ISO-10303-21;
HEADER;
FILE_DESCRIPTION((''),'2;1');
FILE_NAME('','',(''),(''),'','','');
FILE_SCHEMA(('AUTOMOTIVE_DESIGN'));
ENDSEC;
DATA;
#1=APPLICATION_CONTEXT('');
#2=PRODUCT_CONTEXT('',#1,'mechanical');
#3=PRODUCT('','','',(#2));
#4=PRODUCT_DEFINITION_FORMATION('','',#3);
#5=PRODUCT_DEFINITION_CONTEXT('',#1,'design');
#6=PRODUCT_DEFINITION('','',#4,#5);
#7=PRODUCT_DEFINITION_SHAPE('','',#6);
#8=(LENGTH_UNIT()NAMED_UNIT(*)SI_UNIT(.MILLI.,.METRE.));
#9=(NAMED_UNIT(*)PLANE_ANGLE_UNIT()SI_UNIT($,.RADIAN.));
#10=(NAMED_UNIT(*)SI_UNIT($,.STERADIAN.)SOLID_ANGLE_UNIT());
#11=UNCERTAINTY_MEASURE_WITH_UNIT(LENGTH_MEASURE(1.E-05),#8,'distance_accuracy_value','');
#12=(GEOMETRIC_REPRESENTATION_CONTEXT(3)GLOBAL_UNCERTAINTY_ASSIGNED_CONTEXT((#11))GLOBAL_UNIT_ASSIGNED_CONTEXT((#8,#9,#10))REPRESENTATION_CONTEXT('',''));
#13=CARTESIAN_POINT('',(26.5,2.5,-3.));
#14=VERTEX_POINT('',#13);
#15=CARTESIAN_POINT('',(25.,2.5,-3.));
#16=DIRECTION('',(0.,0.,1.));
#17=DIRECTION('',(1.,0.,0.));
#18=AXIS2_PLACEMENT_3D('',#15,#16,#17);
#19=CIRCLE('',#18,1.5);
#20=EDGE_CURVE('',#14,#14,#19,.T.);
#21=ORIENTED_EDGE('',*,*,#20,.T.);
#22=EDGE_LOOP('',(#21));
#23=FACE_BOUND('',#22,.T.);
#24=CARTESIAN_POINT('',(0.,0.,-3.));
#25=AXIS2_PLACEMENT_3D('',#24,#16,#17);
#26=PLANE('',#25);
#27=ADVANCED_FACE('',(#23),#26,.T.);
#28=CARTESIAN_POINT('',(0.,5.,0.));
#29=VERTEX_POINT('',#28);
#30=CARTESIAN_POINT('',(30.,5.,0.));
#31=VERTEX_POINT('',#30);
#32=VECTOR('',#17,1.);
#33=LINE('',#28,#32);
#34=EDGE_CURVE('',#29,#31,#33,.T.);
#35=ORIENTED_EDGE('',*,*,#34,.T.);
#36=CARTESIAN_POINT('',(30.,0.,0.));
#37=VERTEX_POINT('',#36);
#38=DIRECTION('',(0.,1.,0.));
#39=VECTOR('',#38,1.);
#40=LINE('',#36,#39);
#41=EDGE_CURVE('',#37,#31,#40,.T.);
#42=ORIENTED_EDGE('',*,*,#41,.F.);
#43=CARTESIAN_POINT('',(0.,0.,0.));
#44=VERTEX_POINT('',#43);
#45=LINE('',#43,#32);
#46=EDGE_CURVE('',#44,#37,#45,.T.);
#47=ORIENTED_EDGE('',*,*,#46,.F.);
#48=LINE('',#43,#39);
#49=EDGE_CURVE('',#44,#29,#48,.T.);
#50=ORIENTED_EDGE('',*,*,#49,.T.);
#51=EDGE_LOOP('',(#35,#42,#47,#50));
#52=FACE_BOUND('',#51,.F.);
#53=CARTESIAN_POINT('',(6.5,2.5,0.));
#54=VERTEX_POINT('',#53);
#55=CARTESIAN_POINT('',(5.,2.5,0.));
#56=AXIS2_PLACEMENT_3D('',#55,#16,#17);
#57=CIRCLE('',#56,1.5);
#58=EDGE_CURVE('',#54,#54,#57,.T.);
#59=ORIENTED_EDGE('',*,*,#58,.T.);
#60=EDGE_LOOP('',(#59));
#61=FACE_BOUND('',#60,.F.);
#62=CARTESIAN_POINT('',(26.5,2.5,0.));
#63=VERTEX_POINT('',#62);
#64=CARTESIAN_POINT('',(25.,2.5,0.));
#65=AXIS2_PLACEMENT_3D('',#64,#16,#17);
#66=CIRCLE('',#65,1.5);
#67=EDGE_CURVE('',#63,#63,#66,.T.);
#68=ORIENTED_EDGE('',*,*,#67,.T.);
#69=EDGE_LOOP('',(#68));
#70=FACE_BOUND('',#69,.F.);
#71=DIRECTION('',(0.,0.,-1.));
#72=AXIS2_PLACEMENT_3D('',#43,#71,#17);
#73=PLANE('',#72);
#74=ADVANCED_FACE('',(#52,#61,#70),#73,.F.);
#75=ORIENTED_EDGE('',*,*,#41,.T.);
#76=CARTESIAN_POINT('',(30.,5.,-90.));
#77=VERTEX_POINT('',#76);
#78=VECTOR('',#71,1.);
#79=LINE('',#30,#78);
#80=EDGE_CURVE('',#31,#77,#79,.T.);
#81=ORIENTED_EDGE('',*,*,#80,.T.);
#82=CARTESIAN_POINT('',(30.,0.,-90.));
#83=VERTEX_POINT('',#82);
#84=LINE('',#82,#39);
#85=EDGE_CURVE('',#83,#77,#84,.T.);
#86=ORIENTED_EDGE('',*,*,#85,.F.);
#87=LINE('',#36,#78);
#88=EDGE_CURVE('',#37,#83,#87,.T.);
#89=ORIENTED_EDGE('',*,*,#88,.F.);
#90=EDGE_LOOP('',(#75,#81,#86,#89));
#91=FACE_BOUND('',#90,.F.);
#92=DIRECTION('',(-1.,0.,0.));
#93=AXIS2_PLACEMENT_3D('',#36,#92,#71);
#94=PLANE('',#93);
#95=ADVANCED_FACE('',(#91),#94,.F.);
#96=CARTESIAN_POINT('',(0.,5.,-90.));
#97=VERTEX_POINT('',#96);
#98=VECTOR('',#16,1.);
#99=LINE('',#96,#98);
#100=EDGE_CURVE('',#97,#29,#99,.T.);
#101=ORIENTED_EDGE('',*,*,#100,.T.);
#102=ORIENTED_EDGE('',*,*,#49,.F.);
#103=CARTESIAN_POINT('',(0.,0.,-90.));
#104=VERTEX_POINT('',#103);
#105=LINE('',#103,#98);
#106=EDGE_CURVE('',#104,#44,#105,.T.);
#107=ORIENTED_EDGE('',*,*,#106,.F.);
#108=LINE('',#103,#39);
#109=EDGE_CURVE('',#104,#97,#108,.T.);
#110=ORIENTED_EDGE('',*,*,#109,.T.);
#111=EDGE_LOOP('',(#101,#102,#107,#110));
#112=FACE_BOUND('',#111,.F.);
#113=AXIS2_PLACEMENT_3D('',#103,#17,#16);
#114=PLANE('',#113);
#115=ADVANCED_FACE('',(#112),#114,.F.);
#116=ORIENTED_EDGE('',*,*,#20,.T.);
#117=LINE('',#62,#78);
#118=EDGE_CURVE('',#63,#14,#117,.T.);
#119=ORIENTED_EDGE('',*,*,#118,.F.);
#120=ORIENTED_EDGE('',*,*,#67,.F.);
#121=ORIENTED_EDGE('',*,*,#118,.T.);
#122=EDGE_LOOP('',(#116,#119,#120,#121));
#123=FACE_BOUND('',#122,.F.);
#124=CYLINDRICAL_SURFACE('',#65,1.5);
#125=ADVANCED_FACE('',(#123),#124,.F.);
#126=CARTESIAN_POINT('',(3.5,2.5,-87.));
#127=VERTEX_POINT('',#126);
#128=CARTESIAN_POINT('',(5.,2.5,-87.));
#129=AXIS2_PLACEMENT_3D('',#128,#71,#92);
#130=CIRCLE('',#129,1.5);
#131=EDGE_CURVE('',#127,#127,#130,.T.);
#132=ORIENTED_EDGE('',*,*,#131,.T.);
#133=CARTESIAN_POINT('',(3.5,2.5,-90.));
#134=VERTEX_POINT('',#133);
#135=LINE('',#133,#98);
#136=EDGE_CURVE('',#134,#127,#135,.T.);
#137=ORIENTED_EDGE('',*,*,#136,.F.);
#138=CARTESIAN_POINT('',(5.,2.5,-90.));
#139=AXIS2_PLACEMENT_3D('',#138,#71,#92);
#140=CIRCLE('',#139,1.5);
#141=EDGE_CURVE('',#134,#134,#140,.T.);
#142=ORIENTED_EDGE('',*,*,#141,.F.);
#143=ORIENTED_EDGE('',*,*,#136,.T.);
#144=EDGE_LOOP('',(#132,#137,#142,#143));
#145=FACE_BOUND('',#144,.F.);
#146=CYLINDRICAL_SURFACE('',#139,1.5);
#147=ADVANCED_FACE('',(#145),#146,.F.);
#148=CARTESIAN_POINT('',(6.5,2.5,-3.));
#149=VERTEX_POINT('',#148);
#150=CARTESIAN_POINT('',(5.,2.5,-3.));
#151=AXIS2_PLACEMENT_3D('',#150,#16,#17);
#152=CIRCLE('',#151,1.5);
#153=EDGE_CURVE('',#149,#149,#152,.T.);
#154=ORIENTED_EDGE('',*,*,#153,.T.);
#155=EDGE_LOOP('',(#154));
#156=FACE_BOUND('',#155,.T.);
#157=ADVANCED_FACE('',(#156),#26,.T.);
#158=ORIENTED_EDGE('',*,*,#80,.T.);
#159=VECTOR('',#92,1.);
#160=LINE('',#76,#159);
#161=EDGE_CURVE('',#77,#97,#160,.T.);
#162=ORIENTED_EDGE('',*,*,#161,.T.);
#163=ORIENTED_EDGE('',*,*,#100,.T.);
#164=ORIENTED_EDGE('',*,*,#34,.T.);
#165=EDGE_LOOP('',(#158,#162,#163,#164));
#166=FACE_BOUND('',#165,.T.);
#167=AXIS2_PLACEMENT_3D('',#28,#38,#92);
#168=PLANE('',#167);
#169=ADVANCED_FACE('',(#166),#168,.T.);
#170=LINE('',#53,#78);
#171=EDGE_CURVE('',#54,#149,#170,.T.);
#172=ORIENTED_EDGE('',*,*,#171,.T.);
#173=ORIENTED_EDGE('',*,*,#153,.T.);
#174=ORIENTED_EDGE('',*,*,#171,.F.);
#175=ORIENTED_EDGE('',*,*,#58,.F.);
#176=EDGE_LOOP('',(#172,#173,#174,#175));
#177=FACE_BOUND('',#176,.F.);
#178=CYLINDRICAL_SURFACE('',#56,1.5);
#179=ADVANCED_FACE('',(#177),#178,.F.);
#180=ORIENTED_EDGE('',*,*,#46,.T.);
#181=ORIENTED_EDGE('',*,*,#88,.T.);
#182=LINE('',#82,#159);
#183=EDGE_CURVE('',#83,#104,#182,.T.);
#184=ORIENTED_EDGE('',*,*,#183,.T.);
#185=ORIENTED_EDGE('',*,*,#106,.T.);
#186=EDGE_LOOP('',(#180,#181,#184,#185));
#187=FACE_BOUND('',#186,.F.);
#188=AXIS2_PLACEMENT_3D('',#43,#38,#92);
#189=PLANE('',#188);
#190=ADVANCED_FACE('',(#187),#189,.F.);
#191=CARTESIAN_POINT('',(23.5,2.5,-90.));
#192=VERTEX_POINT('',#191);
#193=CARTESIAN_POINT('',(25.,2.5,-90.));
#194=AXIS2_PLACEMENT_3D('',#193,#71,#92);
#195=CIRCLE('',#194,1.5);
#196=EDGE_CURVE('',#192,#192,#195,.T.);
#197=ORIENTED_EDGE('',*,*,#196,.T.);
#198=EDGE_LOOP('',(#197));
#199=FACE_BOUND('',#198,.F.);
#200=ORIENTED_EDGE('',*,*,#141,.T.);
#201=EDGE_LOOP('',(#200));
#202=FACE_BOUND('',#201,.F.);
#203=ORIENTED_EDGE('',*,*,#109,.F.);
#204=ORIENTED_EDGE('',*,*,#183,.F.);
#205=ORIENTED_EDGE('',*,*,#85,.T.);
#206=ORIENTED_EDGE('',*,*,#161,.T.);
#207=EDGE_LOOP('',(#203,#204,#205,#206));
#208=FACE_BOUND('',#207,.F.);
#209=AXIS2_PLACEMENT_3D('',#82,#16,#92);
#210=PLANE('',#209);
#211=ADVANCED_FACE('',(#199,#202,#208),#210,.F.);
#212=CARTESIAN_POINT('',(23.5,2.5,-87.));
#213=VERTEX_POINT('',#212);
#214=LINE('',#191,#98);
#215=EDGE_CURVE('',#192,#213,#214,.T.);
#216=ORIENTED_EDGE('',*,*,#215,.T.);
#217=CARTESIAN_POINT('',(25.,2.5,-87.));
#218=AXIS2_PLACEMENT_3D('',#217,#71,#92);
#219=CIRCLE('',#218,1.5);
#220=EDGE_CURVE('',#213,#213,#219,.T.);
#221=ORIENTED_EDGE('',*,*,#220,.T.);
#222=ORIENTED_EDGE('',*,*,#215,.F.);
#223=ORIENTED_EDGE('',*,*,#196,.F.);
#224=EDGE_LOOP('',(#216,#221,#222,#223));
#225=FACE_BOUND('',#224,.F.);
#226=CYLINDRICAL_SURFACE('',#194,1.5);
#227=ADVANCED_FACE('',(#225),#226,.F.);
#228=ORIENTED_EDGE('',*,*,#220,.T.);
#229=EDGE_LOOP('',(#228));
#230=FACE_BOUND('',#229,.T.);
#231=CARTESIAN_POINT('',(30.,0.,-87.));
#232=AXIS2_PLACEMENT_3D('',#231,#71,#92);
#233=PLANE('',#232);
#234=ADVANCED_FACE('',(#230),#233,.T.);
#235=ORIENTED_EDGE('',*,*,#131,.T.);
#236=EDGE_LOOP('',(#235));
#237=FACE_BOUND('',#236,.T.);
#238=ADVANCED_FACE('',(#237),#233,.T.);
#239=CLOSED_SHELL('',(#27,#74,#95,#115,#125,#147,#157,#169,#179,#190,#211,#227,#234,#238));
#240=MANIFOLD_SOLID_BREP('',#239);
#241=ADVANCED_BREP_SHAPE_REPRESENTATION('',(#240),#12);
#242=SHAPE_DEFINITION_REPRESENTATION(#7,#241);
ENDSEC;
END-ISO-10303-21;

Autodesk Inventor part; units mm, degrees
ref_plane "YZ Plane" through (0, 0, 0) normal (1, 0, 0) x (0, 1, 0)
ref_plane "XZ Plane" through (0, 0, 0) normal (0, 1, 0) x (-1, 0, 0)
ref_plane "XY Plane" through (0, 0, 0) normal (0, 0, 1) x (1, 0, 0)
sketch "Boceto1" plane through (0, 0, 0) normal (0, 1, 0) x (-1, 0, 0)
  point P0 (0, 0)
sketch "Boceto2" plane through (0, 0, 0) normal (0, 1, 0) x (-1, 0, 0)
  line L0 (0, 0) -> (-30, 0)
  line L1 (-30, 0) -> (-30, -90)
  line L2 (-30, -90) -> (0, -90)
  line L3 (0, -90) -> (0, 0)
  dimension "d0" = 30
  dimension "d1" = 90
extrude "Extrusión1" add sketch "Boceto2" along normal blind 5
sketch "Boceto3" plane through (0, 0, 0) normal (0, 0, 1) x (1, 0, 0)
  circle A0 centre (25, 2.5) radius 1.5
  circle A1 centre (5, 2.5) radius 1.5
  line L0 (0, 0) -> (0, 5) projected
  line L1 (30, 0) -> (30, 5) projected
  line L2 (0, 0) -> (30, 0) projected
  dimension "d4" = 3
  dimension "d5" = 3
  dimension "d6" = 5
  dimension "d7" = 5
  dimension "d8" = 2.5
  dimension "d9" = 2.5
extrude "Extrusión2" cut sketch "Boceto3" against normal blind 3
sketch "Boceto4" plane through (30, 0, -90) normal (0, 0, -1) x (-1, 0, 0)
  circle A0 centre (5, 2.5) radius 1.5 projected
  circle A1 centre (5, 2.5) radius 1.5
  circle A2 centre (25, 2.5) radius 1.5 projected
  circle A3 centre (25, 2.5) radius 1.5
  point P0 (30, 0)
extrude "Extrusión3" cut sketch "Boceto4" against normal blind 3
properties part number "Interno"
